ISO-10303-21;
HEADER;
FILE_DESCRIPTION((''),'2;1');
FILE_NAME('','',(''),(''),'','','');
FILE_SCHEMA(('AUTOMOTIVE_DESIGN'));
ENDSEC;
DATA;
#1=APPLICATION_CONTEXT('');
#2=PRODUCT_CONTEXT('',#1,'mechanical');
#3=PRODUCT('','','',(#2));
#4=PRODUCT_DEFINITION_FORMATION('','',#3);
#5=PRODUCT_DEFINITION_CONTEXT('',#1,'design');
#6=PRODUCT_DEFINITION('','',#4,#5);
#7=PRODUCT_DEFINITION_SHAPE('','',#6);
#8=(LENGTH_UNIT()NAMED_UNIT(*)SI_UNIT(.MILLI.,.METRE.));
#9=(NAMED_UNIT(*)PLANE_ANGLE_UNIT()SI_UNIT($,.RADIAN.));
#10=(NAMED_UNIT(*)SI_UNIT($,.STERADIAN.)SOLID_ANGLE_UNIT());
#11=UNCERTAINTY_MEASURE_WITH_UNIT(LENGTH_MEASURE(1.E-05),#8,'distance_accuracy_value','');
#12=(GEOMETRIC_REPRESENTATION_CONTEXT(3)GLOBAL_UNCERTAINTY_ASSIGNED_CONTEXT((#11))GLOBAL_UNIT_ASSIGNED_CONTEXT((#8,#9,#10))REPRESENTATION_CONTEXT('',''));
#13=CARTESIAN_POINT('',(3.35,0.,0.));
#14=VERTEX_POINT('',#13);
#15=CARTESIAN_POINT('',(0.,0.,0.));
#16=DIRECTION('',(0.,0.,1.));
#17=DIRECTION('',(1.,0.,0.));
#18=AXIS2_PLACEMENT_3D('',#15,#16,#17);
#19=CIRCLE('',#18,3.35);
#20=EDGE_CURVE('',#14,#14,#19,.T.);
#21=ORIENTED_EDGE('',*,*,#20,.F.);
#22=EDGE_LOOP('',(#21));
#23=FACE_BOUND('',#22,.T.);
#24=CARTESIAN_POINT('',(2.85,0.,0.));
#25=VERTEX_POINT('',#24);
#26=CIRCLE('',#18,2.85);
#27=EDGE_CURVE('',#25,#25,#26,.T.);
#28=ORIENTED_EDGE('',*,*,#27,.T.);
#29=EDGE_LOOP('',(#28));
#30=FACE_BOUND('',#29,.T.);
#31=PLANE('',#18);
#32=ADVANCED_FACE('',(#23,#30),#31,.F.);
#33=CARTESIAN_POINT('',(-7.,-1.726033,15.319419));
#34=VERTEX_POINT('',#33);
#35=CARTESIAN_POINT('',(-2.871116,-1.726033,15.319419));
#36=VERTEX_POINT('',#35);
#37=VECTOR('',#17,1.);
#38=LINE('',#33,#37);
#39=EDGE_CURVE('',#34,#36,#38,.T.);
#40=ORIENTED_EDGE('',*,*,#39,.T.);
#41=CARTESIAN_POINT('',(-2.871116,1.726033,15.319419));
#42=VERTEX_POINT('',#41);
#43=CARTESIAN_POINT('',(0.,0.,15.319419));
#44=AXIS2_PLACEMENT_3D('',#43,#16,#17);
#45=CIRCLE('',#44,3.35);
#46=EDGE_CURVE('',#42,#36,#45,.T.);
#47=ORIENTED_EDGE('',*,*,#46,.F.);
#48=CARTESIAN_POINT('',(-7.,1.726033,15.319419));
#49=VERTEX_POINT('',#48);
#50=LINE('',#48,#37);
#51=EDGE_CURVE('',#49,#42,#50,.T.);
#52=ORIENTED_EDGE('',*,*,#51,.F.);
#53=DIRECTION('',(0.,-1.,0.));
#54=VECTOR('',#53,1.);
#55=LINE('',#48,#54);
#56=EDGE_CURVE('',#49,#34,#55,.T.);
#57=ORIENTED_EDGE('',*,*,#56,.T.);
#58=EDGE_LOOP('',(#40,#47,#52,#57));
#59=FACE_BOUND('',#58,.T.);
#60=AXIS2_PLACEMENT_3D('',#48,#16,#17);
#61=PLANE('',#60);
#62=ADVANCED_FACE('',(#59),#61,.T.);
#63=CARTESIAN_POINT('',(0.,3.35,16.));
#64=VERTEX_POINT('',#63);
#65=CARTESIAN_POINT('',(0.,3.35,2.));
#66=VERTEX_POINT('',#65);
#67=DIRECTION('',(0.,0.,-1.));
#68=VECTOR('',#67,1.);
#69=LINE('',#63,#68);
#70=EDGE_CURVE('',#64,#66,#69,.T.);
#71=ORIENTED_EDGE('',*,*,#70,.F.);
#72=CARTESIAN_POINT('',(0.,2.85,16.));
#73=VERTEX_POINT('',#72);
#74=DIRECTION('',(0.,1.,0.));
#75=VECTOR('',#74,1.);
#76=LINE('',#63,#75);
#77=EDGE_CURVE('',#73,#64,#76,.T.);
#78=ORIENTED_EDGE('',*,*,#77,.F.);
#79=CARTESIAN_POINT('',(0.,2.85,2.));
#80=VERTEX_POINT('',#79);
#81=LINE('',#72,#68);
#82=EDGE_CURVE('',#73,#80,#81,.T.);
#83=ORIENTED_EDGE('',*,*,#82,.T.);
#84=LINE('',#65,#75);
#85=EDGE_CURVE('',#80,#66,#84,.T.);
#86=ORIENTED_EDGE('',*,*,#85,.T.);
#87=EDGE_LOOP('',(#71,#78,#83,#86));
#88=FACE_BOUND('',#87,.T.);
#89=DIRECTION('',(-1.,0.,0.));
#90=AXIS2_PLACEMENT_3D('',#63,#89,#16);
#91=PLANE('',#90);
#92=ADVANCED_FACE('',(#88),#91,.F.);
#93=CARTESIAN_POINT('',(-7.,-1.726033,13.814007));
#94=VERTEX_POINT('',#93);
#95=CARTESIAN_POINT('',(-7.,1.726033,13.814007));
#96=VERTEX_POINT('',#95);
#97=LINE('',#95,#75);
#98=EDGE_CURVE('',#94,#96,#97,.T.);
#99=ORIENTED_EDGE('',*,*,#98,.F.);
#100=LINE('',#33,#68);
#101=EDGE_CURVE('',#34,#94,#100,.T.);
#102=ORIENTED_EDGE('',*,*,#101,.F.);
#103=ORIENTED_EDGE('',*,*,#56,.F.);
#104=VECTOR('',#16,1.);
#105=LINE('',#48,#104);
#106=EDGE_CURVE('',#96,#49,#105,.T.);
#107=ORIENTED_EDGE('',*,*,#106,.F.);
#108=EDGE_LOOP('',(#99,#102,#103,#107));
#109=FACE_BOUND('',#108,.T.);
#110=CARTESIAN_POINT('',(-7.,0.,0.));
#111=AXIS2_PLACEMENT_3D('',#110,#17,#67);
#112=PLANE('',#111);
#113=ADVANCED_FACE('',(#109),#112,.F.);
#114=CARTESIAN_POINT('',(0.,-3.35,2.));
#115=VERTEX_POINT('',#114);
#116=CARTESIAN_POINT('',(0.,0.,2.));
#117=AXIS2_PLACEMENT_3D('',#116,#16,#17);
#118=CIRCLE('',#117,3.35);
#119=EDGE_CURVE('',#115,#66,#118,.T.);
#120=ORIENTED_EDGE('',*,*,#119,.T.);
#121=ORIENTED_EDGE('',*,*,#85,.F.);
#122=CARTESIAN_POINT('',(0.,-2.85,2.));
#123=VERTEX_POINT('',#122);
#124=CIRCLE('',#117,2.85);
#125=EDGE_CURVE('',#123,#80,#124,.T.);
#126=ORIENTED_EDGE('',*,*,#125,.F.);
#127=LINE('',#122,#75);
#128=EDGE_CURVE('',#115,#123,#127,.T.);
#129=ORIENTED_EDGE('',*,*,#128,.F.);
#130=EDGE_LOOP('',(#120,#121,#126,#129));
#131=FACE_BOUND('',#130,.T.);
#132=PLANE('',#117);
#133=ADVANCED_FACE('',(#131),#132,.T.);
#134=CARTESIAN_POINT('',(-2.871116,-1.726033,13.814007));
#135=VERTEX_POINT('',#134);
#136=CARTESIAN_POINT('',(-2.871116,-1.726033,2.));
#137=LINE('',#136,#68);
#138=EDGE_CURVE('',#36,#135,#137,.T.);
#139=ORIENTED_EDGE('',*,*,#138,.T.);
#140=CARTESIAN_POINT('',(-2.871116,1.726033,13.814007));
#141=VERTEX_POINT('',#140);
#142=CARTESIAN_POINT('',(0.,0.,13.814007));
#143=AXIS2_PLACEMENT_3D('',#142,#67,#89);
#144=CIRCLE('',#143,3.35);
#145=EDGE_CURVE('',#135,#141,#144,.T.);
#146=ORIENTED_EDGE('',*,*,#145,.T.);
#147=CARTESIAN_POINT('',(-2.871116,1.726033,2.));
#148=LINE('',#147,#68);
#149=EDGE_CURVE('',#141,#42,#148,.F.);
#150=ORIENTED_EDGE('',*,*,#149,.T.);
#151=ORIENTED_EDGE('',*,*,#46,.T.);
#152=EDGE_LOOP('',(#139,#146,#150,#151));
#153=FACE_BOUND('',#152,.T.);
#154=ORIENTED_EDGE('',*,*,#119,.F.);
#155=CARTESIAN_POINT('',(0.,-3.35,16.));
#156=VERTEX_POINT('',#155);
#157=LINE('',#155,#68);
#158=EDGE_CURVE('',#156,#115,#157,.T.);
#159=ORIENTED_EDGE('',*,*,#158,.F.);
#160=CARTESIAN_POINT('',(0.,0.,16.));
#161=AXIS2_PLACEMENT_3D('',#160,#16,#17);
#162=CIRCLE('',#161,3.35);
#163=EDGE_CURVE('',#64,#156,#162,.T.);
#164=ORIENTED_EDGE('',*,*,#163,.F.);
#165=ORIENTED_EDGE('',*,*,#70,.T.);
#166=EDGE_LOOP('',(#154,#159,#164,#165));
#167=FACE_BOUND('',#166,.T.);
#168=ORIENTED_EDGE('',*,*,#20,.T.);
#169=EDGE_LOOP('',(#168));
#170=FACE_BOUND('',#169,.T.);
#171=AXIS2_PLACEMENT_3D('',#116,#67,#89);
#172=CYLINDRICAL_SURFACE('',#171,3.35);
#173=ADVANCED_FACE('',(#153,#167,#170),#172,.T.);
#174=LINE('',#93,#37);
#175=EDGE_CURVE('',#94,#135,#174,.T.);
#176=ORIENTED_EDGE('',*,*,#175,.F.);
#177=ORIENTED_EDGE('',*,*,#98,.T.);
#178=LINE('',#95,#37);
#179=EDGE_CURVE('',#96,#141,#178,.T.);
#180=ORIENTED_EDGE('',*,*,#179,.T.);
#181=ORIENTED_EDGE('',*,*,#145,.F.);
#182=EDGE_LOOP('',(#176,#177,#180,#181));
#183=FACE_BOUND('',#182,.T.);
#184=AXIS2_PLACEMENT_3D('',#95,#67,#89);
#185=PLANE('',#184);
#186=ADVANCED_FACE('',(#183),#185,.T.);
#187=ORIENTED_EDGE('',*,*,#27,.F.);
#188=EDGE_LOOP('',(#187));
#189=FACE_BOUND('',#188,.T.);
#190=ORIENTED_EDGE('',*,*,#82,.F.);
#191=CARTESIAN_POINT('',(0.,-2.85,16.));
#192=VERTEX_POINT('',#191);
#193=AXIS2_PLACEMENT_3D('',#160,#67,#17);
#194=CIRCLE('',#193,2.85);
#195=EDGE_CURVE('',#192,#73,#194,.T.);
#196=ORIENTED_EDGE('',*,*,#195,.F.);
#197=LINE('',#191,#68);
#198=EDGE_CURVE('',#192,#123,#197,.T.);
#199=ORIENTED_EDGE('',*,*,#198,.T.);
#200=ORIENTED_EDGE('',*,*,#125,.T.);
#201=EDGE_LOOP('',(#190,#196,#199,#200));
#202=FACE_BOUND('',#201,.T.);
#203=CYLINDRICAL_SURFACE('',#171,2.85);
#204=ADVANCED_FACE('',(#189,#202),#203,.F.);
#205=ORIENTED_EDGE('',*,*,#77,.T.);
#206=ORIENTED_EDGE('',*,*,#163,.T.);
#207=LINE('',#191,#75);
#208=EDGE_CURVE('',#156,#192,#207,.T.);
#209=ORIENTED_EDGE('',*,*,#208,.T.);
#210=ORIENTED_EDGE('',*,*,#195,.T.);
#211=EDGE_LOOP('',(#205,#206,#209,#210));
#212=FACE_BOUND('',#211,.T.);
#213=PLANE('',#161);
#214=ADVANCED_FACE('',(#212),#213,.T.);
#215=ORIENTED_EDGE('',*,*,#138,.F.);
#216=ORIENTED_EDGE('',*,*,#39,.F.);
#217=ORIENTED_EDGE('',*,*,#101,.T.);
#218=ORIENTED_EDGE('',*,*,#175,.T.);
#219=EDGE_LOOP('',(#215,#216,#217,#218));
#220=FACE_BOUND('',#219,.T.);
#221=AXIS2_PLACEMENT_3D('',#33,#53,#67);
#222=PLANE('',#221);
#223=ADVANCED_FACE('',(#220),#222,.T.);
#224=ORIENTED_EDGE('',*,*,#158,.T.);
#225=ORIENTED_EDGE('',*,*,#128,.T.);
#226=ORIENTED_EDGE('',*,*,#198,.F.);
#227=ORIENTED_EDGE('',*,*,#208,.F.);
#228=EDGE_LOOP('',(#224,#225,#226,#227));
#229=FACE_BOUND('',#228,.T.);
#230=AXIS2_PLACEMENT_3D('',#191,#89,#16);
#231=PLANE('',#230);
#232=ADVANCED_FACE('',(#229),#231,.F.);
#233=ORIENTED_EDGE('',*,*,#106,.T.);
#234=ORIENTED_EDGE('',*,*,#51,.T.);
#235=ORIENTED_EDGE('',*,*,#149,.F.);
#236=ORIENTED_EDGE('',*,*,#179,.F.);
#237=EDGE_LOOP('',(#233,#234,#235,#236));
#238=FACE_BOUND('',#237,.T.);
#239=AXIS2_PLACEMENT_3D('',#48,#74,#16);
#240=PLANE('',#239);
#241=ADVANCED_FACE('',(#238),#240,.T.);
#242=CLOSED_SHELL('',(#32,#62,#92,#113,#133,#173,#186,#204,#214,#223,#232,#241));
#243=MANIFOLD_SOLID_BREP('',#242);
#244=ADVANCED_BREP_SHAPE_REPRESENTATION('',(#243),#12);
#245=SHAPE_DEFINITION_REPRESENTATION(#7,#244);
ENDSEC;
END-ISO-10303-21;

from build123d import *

# Parameters (mm, degrees)
ESQUISSE1_R             = 3.35
ESQUISSE1_R_2           = 2.85
BOSS_EXTRU_1_DEPTH      = 2
BOSS_EXTRU_2_DEPTH      = 14
ESQUISSE3_W             = 1.505412516
ESQUISSE3_H             = 3.452066632
BOSS_EXTRU_3_DEPTH      = 7
ENL_V_START             = -5
ESQUISSE4_R             = 2.85
ENL_V_MAT_EXTRU_1_DEPTH = 5


with BuildPart() as part:
    # Esquisse1 → Boss.-Extru.1 (new body)
    with BuildSketch(Plane.XY):
        Circle(ESQUISSE1_R)
        Circle(ESQUISSE1_R_2, mode=Mode.SUBTRACT)
    extrude(amount=BOSS_EXTRU_1_DEPTH)

    # Esquisse2 → Boss.-Extru.2 (add)
    with BuildSketch(Plane.XY.offset(2)):
        with BuildLine():
            Line((0, 3.35), (0, 2.85))
            ThreePointArc((0, 2.85), (-2.85, 0), (0, -2.85))
            Line((0, -2.85), (0, -3.35))
            ThreePointArc((0, -3.35), (-3.35, 0), (0, 3.35))
        make_face()
    extrude(amount=BOSS_EXTRU_2_DEPTH)

    # Esquisse3 → Boss.-Extru.3 (add)
    with BuildSketch(Plane(origin=(0, 0, 0), x_dir=(0, 0, -1), z_dir=(1, 0, 0))):
        with Locations((-14.566713218, 0)):
            Rectangle(ESQUISSE3_W, ESQUISSE3_H)
    extrude(amount=-BOSS_EXTRU_3_DEPTH)

    # Esquisse4 → Enlèv. mat.-Extru.1 (cut)
    with BuildSketch(Plane.XY.offset(16).offset(ENL_V_START)):
        with Locations(Location((0, 0, 0), (0, 0, 90))):
            Circle(ESQUISSE4_R)
    extrude(amount=ENL_V_MAT_EXTRU_1_DEPTH, mode=Mode.SUBTRACT)


solid = part.part
